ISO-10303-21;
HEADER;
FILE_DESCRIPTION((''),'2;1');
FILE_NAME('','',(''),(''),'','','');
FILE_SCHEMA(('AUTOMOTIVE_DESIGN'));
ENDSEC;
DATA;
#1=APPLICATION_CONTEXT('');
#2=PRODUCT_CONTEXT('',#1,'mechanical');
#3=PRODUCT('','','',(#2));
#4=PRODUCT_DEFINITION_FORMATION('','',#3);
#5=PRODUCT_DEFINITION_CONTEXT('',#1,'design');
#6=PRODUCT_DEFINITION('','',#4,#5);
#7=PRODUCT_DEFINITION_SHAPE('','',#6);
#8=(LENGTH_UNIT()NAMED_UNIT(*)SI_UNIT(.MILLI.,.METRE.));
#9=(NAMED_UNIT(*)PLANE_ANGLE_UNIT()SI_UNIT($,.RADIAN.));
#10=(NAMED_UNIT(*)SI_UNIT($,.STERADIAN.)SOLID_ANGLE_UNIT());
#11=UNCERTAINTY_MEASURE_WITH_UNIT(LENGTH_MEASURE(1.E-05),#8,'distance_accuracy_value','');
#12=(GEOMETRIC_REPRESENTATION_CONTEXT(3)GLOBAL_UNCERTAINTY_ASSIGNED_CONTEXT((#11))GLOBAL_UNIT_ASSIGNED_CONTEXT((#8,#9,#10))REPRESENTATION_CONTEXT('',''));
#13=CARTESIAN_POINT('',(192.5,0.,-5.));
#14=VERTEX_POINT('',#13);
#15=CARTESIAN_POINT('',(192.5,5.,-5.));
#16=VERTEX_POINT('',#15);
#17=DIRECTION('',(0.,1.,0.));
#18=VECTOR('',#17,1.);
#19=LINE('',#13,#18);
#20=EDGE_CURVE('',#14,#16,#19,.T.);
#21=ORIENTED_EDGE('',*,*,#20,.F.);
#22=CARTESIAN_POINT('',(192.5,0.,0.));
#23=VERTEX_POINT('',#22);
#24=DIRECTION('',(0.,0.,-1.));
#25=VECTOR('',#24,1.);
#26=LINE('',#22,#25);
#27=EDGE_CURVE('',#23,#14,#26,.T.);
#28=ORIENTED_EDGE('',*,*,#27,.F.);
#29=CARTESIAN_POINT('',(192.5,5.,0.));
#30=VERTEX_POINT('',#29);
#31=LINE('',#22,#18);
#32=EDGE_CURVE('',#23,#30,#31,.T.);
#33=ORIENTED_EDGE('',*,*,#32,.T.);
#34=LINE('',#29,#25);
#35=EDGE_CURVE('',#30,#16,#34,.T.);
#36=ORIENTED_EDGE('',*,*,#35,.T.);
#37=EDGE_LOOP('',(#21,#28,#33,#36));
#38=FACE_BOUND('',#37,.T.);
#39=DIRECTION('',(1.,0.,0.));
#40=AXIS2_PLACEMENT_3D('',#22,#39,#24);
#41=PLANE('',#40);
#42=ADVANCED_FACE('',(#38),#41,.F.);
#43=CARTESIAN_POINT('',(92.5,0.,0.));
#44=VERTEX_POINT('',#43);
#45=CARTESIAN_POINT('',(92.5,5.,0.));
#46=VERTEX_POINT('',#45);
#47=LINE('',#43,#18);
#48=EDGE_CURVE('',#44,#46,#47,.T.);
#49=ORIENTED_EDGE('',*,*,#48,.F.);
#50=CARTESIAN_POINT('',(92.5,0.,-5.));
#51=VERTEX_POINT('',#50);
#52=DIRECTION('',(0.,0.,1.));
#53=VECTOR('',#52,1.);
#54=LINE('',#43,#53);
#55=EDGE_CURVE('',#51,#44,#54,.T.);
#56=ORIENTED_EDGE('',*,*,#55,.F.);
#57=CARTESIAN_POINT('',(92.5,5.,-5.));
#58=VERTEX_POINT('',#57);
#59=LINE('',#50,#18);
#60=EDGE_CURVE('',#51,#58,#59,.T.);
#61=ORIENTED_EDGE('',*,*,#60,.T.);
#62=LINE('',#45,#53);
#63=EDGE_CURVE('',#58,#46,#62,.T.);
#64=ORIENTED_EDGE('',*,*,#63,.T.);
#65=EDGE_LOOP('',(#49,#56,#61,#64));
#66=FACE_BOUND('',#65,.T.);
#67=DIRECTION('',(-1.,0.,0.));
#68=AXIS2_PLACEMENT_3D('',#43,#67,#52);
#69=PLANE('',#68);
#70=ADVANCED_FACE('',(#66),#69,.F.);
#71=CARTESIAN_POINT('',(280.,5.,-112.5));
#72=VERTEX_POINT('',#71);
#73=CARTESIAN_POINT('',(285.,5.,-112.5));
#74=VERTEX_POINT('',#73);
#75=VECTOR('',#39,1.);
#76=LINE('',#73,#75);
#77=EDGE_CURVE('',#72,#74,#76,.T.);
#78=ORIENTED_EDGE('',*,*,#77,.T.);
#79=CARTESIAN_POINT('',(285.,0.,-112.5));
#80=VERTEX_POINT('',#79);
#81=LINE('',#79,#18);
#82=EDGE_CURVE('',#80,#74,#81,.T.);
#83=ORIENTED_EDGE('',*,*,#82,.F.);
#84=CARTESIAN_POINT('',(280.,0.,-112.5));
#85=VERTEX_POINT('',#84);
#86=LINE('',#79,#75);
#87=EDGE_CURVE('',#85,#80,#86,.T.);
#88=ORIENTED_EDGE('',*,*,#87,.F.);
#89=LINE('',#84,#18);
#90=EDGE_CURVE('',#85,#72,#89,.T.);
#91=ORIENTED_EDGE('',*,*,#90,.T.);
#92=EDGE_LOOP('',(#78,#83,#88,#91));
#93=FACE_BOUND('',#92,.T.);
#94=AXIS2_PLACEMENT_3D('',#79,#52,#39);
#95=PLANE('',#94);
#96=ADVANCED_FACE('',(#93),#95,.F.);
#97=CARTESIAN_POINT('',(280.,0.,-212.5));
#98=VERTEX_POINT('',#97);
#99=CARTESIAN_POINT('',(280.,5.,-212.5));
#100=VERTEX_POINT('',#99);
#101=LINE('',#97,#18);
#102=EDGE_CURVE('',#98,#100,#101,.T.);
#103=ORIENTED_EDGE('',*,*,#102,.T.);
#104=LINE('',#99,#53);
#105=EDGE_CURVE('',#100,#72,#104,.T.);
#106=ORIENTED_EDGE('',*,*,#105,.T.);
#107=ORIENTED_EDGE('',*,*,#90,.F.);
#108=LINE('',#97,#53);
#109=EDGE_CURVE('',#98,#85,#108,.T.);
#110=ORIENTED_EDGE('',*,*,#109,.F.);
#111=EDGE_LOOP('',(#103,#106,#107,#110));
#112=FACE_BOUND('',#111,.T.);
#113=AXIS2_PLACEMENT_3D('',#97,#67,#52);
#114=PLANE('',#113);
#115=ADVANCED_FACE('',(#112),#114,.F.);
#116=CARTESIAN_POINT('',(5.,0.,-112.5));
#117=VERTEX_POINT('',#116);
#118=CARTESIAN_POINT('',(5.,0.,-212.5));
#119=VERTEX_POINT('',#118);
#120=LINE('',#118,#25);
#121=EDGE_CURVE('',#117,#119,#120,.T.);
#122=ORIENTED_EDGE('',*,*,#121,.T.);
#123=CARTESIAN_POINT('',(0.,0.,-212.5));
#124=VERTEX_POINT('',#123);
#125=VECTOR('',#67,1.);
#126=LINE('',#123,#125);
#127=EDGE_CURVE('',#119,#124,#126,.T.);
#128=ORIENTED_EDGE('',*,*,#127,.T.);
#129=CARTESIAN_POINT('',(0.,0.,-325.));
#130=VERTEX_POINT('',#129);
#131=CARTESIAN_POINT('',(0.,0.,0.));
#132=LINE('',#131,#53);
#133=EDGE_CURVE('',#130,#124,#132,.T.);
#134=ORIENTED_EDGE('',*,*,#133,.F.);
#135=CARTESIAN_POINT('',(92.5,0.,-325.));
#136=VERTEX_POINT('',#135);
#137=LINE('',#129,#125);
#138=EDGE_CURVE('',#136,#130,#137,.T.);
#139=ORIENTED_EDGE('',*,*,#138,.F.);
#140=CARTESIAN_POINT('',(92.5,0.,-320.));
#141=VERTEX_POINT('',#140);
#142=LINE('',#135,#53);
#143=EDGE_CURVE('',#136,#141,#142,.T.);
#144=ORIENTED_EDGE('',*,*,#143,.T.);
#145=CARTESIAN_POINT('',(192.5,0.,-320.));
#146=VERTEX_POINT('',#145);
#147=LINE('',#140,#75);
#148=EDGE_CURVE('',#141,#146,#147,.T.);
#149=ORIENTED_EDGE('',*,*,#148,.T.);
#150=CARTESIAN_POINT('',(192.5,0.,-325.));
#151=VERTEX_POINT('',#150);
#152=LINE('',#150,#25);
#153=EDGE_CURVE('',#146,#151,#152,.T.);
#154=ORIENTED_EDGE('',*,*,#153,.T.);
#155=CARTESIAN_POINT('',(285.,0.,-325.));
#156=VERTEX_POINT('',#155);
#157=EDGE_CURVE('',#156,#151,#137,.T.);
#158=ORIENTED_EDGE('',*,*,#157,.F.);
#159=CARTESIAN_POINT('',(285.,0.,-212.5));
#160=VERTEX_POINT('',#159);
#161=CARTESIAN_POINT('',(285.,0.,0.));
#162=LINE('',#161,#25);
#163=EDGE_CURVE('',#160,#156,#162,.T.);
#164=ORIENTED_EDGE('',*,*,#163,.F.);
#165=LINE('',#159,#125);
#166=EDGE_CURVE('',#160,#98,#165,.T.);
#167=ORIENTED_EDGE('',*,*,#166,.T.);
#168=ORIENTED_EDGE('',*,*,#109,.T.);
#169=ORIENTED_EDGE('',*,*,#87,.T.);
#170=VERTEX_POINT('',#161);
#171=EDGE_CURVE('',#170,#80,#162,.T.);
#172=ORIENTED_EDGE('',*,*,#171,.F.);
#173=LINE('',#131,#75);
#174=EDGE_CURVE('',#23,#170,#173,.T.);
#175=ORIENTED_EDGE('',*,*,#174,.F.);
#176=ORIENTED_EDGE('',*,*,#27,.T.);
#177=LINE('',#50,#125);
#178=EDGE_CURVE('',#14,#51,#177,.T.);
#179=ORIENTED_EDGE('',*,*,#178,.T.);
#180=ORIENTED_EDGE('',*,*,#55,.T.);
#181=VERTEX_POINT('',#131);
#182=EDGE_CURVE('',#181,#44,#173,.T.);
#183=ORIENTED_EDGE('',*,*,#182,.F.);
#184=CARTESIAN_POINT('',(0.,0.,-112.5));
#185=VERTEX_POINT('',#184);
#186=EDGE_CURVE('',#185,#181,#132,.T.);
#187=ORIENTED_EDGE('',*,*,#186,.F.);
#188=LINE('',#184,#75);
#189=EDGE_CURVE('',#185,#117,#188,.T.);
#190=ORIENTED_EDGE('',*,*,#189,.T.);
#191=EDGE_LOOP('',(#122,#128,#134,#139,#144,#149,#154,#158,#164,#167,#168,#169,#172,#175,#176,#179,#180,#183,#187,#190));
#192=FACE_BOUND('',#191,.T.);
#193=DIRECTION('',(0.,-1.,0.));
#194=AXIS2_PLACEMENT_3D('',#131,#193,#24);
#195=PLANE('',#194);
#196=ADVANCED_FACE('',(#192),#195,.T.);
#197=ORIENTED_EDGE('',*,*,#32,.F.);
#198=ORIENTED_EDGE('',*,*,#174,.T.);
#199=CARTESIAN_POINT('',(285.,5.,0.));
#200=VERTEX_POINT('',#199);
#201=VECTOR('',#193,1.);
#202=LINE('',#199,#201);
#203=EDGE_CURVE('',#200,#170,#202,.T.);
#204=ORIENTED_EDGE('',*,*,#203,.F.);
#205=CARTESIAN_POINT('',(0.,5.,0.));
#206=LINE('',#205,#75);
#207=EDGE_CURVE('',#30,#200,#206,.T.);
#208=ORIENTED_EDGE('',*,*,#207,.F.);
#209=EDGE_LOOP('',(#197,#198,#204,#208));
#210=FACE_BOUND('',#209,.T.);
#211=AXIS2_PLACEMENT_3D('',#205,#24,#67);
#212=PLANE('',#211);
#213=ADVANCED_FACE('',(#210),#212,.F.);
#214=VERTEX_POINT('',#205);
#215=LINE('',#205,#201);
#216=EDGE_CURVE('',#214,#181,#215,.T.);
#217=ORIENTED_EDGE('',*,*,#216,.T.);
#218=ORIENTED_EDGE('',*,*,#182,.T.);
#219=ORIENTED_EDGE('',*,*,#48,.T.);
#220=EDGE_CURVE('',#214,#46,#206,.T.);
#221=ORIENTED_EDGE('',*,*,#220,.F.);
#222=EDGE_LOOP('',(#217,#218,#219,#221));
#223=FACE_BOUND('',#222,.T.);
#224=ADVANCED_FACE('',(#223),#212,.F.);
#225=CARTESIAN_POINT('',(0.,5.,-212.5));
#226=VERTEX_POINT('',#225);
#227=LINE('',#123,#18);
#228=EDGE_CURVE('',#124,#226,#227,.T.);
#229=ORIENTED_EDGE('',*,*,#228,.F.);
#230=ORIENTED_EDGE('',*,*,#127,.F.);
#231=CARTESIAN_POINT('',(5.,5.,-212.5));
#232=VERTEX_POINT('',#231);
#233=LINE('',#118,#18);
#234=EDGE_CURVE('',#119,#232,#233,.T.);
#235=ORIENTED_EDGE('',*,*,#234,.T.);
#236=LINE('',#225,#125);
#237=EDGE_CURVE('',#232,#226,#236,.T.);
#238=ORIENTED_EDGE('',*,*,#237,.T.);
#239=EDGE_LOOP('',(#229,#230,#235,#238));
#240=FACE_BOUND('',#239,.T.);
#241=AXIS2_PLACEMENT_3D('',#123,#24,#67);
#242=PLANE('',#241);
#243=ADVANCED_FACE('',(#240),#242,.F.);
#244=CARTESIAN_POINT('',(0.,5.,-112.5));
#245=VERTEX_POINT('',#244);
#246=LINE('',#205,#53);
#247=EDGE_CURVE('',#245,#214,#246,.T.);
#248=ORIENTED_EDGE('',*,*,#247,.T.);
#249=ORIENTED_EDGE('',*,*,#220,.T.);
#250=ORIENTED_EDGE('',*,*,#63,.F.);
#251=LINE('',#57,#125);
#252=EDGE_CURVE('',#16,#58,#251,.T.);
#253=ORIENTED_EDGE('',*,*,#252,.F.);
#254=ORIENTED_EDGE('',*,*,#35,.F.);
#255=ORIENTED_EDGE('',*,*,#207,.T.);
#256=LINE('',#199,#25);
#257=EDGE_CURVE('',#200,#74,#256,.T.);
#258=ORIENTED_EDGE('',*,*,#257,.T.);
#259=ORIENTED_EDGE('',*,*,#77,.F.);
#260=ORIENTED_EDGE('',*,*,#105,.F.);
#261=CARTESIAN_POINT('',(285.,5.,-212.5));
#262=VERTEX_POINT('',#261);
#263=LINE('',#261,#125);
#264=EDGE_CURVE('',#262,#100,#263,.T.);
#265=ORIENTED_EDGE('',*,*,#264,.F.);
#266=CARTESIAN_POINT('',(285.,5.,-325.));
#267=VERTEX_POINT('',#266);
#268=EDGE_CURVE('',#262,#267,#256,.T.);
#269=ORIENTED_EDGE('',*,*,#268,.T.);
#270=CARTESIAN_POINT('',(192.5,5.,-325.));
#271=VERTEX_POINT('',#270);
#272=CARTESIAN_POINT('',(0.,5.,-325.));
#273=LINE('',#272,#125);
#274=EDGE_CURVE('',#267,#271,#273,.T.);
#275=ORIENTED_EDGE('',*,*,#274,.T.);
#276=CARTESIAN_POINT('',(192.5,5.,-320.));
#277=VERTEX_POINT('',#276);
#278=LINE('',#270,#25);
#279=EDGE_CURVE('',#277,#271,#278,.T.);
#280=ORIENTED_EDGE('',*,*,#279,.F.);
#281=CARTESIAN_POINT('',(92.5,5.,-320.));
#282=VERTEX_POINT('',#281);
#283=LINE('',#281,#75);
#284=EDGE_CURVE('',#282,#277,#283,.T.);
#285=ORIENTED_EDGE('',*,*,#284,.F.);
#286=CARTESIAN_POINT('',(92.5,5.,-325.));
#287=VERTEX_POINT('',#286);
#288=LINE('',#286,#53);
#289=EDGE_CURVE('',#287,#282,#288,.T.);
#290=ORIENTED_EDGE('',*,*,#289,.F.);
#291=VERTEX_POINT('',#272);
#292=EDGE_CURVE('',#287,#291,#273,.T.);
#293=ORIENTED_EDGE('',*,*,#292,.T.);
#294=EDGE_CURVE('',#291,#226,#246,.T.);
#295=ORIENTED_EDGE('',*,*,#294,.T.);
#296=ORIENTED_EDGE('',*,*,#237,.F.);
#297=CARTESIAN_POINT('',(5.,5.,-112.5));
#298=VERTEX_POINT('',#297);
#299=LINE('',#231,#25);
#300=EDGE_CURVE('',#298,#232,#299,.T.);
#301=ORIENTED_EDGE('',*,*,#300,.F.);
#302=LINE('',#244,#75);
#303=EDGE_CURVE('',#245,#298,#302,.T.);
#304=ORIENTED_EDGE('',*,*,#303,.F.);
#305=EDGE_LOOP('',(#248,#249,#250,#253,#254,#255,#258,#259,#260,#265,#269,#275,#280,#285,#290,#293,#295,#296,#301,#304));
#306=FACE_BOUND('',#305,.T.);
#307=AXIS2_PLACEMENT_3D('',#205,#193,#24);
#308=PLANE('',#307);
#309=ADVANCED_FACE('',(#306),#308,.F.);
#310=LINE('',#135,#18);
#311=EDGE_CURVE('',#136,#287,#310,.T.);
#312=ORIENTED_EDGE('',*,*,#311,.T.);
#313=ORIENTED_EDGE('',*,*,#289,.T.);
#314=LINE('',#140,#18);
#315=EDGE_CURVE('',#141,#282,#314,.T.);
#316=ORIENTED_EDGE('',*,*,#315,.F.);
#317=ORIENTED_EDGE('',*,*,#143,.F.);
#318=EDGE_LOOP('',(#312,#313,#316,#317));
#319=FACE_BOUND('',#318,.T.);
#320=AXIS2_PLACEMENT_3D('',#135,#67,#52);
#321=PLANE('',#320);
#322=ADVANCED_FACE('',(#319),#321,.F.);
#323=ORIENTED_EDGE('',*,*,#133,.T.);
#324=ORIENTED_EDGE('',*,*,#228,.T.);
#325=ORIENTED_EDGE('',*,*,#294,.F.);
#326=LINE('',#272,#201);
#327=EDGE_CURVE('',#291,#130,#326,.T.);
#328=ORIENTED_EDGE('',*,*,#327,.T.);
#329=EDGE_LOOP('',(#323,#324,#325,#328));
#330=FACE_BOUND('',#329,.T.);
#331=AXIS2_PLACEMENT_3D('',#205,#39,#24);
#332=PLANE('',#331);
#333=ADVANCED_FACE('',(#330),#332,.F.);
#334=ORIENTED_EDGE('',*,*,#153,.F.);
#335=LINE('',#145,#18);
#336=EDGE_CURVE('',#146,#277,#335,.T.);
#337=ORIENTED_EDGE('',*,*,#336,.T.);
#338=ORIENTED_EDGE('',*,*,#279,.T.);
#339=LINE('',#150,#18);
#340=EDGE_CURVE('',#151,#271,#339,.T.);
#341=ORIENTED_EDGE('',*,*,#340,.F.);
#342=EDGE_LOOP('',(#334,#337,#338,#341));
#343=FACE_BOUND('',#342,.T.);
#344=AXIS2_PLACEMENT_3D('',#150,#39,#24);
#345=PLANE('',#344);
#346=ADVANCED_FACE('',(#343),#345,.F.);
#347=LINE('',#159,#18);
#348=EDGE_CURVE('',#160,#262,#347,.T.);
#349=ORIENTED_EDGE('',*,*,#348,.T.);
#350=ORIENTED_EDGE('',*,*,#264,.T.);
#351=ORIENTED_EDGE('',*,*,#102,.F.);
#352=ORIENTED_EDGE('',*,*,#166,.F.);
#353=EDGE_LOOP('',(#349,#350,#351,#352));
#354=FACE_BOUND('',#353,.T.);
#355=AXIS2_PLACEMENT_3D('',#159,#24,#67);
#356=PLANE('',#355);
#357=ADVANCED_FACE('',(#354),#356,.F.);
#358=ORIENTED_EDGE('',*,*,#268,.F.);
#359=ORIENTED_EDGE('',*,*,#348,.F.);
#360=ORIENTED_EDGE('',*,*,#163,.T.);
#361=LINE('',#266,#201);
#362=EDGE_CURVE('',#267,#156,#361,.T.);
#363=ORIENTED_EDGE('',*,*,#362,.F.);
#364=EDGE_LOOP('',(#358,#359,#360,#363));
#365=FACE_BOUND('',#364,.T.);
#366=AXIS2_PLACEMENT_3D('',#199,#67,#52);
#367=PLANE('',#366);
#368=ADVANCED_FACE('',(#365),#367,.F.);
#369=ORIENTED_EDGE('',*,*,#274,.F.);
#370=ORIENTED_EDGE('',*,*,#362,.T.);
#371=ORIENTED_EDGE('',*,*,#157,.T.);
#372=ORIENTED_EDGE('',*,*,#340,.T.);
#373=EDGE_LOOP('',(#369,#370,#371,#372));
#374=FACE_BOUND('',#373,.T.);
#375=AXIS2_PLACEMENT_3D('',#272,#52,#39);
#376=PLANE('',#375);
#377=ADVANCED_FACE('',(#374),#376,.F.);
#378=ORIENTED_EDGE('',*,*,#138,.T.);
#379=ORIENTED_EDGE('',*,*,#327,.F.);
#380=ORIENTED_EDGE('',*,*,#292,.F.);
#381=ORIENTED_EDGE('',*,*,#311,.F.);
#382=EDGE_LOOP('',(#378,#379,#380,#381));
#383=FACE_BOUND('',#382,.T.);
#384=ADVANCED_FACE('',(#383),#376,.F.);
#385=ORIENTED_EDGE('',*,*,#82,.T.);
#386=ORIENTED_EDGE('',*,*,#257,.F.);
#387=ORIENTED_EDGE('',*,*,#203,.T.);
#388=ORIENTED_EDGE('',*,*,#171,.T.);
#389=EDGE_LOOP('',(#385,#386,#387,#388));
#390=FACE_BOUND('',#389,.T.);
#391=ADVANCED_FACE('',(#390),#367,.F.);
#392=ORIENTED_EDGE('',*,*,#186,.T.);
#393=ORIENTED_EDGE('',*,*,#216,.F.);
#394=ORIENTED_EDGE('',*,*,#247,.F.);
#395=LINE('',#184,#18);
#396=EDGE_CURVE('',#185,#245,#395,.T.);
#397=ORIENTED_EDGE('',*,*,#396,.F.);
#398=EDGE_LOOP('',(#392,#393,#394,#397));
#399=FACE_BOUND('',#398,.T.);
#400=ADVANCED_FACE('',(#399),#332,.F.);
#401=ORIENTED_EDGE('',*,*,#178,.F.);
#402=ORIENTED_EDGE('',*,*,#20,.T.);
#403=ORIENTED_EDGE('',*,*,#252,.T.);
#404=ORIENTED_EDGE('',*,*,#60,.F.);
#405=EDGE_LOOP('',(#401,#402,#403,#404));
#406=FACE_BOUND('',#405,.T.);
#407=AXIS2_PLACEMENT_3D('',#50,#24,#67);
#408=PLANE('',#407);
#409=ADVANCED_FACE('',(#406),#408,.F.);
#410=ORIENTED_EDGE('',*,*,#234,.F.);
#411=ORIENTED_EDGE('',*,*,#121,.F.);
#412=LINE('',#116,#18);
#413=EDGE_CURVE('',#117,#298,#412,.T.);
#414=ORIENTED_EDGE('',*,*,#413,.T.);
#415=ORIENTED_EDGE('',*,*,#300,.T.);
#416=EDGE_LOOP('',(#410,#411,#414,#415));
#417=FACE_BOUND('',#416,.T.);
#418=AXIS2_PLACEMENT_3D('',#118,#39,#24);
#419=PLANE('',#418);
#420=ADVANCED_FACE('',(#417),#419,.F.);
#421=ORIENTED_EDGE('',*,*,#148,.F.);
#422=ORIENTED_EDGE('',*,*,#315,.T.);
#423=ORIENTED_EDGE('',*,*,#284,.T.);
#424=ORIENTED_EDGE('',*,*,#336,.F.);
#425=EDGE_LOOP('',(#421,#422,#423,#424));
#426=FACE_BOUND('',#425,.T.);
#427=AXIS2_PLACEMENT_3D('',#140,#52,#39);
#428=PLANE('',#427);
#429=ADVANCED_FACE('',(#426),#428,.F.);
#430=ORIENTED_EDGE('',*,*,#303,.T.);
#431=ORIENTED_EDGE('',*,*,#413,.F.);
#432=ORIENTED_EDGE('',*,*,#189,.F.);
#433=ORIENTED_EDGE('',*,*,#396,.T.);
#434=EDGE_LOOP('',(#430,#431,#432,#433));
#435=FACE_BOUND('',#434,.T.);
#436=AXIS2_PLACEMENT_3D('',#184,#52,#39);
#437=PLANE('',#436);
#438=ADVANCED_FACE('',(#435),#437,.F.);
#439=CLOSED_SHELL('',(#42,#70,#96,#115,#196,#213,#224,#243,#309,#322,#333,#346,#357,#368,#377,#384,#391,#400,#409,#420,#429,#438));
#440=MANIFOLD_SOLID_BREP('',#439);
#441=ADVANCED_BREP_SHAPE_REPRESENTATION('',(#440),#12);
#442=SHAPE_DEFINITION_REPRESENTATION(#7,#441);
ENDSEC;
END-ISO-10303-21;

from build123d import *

# Parameters (mm, degrees)
SKIZZE1_W                       = 285
SKIZZE1_H                       = 325
AUFSATZ_LINEAR_AUSTRAGEN1_DEPTH = 5
SKIZZE2_W                       = 5
SKIZZE2_H                       = 100
SCHNITT_LINEAR_AUSTRAGEN1_DEPTH = 433.290411645


with BuildPart() as part:
    # Skizze1 → Aufsatz-Linear austragen1 (new body)
    with BuildSketch(Plane(origin=(0, 0, 0), x_dir=(1, 0, 0), z_dir=(0, 1, 0))):
        with Locations((142.5, 162.5)):
            Rectangle(SKIZZE1_W, SKIZZE1_H)
    extrude(amount=AUFSATZ_LINEAR_AUSTRAGEN1_DEPTH)

    # Skizze2 → Schnitt-Linear austragen1 (cut, through all)
    with BuildSketch(Plane(origin=(0, 5, 0), x_dir=(1, 0, 0), z_dir=(0, 1, 0))):
        Polygon((142.5, 325), (92.5, 325), (92.5, 320), (192.5, 320), (192.5, 325), align=None)
        with Locations((2.5, 162.5)):
            Rectangle(SKIZZE2_W, SKIZZE2_H)
        with Locations((282.5, 162.5)):
            Rectangle(SKIZZE2_W, SKIZZE2_H)
        Polygon((142.5, 0), (192.5, 0), (192.5, 5), (92.5, 5), (92.5, 0), align=None)
    extrude(amount=-SCHNITT_LINEAR_AUSTRAGEN1_DEPTH, mode=Mode.SUBTRACT)


solid = part.part
